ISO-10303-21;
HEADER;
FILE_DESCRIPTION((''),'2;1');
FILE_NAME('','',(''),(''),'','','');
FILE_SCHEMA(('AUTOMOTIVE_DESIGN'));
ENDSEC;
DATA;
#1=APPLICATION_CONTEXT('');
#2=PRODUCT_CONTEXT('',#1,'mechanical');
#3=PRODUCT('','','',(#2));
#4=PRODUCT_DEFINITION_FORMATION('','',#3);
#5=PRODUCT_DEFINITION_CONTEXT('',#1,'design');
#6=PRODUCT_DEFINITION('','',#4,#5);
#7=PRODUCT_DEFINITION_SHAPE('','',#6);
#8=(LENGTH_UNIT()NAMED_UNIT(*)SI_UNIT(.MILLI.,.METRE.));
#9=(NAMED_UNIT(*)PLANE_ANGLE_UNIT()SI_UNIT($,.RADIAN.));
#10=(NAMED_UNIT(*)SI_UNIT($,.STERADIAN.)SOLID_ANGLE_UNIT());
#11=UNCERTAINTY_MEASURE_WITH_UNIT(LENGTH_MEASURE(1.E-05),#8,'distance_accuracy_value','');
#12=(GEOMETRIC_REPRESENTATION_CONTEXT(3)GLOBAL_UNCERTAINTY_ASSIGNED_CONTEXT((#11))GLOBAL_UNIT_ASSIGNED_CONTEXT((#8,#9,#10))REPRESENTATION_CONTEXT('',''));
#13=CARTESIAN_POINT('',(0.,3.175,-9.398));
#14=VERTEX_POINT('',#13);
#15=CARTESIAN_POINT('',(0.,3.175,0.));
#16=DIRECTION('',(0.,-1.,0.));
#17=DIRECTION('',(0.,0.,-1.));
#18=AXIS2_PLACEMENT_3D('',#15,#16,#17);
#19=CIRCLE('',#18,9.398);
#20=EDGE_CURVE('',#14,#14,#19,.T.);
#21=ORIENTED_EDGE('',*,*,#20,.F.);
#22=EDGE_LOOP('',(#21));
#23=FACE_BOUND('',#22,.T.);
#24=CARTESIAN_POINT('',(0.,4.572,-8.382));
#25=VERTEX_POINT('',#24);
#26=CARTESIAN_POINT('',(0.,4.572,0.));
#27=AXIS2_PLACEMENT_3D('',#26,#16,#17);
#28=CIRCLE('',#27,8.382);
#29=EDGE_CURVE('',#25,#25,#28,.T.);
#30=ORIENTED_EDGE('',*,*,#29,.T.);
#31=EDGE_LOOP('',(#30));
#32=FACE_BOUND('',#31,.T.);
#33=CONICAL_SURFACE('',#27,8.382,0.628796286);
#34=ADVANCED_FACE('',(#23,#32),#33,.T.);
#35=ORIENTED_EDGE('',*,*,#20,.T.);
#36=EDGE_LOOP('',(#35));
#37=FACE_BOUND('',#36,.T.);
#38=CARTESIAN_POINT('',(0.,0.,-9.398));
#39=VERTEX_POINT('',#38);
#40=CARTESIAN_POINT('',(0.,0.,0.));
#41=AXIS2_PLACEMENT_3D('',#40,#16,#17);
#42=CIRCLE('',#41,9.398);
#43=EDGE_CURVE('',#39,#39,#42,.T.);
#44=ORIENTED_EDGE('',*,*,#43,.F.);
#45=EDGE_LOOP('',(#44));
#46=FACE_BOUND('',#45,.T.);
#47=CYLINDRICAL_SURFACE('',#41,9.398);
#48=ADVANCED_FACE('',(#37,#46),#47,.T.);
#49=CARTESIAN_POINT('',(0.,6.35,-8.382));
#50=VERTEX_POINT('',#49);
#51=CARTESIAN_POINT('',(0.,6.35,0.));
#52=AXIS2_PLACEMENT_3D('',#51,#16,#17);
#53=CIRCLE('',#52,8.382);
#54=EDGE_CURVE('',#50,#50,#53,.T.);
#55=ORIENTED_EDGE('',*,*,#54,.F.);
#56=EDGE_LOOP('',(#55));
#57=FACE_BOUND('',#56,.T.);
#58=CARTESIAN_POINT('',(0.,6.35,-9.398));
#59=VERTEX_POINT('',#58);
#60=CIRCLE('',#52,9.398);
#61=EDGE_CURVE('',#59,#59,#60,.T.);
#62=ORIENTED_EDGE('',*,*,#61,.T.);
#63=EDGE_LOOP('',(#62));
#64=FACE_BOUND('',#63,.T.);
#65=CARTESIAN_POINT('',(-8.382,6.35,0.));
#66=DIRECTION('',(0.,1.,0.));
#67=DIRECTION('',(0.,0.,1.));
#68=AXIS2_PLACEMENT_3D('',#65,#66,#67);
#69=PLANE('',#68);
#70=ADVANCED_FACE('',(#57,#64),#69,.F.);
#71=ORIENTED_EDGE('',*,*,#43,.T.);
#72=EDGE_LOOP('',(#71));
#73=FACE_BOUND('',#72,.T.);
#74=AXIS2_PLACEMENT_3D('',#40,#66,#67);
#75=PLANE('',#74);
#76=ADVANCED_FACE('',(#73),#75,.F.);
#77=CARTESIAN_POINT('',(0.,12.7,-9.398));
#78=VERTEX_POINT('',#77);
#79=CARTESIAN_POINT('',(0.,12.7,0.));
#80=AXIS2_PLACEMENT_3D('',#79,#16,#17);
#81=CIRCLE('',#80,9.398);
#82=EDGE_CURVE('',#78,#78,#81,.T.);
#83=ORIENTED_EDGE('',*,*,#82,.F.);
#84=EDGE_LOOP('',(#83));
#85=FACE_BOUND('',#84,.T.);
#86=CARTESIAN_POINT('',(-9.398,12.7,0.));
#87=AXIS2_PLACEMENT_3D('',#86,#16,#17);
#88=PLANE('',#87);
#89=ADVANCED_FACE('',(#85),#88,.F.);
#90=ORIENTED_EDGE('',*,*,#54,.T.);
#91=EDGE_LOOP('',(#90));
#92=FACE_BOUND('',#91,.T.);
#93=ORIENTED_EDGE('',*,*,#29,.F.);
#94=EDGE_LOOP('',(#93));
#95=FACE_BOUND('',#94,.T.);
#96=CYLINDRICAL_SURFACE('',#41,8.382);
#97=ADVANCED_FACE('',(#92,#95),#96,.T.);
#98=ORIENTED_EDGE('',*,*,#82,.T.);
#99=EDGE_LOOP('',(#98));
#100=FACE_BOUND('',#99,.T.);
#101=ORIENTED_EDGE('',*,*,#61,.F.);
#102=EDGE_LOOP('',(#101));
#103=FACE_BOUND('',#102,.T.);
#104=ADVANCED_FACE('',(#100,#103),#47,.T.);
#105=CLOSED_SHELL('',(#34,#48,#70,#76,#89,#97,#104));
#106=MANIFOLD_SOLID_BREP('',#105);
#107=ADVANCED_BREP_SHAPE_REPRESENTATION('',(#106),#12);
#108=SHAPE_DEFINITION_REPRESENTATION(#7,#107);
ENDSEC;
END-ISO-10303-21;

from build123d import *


with BuildPart() as part:
    # Sketch1 → Revolve1 (revolve)
    with BuildSketch(Plane.XY):
        Polygon((0, 0), (-9.398, 0), (-9.398, 3.175), (-8.382, 4.572), (-8.382, 6.35), (-9.398, 6.35), (-9.398, 12.7), (0, 12.7), align=None)
    revolve(axis=Axis((0, 0, 0), (0, 1, 0)))


solid = part.part
